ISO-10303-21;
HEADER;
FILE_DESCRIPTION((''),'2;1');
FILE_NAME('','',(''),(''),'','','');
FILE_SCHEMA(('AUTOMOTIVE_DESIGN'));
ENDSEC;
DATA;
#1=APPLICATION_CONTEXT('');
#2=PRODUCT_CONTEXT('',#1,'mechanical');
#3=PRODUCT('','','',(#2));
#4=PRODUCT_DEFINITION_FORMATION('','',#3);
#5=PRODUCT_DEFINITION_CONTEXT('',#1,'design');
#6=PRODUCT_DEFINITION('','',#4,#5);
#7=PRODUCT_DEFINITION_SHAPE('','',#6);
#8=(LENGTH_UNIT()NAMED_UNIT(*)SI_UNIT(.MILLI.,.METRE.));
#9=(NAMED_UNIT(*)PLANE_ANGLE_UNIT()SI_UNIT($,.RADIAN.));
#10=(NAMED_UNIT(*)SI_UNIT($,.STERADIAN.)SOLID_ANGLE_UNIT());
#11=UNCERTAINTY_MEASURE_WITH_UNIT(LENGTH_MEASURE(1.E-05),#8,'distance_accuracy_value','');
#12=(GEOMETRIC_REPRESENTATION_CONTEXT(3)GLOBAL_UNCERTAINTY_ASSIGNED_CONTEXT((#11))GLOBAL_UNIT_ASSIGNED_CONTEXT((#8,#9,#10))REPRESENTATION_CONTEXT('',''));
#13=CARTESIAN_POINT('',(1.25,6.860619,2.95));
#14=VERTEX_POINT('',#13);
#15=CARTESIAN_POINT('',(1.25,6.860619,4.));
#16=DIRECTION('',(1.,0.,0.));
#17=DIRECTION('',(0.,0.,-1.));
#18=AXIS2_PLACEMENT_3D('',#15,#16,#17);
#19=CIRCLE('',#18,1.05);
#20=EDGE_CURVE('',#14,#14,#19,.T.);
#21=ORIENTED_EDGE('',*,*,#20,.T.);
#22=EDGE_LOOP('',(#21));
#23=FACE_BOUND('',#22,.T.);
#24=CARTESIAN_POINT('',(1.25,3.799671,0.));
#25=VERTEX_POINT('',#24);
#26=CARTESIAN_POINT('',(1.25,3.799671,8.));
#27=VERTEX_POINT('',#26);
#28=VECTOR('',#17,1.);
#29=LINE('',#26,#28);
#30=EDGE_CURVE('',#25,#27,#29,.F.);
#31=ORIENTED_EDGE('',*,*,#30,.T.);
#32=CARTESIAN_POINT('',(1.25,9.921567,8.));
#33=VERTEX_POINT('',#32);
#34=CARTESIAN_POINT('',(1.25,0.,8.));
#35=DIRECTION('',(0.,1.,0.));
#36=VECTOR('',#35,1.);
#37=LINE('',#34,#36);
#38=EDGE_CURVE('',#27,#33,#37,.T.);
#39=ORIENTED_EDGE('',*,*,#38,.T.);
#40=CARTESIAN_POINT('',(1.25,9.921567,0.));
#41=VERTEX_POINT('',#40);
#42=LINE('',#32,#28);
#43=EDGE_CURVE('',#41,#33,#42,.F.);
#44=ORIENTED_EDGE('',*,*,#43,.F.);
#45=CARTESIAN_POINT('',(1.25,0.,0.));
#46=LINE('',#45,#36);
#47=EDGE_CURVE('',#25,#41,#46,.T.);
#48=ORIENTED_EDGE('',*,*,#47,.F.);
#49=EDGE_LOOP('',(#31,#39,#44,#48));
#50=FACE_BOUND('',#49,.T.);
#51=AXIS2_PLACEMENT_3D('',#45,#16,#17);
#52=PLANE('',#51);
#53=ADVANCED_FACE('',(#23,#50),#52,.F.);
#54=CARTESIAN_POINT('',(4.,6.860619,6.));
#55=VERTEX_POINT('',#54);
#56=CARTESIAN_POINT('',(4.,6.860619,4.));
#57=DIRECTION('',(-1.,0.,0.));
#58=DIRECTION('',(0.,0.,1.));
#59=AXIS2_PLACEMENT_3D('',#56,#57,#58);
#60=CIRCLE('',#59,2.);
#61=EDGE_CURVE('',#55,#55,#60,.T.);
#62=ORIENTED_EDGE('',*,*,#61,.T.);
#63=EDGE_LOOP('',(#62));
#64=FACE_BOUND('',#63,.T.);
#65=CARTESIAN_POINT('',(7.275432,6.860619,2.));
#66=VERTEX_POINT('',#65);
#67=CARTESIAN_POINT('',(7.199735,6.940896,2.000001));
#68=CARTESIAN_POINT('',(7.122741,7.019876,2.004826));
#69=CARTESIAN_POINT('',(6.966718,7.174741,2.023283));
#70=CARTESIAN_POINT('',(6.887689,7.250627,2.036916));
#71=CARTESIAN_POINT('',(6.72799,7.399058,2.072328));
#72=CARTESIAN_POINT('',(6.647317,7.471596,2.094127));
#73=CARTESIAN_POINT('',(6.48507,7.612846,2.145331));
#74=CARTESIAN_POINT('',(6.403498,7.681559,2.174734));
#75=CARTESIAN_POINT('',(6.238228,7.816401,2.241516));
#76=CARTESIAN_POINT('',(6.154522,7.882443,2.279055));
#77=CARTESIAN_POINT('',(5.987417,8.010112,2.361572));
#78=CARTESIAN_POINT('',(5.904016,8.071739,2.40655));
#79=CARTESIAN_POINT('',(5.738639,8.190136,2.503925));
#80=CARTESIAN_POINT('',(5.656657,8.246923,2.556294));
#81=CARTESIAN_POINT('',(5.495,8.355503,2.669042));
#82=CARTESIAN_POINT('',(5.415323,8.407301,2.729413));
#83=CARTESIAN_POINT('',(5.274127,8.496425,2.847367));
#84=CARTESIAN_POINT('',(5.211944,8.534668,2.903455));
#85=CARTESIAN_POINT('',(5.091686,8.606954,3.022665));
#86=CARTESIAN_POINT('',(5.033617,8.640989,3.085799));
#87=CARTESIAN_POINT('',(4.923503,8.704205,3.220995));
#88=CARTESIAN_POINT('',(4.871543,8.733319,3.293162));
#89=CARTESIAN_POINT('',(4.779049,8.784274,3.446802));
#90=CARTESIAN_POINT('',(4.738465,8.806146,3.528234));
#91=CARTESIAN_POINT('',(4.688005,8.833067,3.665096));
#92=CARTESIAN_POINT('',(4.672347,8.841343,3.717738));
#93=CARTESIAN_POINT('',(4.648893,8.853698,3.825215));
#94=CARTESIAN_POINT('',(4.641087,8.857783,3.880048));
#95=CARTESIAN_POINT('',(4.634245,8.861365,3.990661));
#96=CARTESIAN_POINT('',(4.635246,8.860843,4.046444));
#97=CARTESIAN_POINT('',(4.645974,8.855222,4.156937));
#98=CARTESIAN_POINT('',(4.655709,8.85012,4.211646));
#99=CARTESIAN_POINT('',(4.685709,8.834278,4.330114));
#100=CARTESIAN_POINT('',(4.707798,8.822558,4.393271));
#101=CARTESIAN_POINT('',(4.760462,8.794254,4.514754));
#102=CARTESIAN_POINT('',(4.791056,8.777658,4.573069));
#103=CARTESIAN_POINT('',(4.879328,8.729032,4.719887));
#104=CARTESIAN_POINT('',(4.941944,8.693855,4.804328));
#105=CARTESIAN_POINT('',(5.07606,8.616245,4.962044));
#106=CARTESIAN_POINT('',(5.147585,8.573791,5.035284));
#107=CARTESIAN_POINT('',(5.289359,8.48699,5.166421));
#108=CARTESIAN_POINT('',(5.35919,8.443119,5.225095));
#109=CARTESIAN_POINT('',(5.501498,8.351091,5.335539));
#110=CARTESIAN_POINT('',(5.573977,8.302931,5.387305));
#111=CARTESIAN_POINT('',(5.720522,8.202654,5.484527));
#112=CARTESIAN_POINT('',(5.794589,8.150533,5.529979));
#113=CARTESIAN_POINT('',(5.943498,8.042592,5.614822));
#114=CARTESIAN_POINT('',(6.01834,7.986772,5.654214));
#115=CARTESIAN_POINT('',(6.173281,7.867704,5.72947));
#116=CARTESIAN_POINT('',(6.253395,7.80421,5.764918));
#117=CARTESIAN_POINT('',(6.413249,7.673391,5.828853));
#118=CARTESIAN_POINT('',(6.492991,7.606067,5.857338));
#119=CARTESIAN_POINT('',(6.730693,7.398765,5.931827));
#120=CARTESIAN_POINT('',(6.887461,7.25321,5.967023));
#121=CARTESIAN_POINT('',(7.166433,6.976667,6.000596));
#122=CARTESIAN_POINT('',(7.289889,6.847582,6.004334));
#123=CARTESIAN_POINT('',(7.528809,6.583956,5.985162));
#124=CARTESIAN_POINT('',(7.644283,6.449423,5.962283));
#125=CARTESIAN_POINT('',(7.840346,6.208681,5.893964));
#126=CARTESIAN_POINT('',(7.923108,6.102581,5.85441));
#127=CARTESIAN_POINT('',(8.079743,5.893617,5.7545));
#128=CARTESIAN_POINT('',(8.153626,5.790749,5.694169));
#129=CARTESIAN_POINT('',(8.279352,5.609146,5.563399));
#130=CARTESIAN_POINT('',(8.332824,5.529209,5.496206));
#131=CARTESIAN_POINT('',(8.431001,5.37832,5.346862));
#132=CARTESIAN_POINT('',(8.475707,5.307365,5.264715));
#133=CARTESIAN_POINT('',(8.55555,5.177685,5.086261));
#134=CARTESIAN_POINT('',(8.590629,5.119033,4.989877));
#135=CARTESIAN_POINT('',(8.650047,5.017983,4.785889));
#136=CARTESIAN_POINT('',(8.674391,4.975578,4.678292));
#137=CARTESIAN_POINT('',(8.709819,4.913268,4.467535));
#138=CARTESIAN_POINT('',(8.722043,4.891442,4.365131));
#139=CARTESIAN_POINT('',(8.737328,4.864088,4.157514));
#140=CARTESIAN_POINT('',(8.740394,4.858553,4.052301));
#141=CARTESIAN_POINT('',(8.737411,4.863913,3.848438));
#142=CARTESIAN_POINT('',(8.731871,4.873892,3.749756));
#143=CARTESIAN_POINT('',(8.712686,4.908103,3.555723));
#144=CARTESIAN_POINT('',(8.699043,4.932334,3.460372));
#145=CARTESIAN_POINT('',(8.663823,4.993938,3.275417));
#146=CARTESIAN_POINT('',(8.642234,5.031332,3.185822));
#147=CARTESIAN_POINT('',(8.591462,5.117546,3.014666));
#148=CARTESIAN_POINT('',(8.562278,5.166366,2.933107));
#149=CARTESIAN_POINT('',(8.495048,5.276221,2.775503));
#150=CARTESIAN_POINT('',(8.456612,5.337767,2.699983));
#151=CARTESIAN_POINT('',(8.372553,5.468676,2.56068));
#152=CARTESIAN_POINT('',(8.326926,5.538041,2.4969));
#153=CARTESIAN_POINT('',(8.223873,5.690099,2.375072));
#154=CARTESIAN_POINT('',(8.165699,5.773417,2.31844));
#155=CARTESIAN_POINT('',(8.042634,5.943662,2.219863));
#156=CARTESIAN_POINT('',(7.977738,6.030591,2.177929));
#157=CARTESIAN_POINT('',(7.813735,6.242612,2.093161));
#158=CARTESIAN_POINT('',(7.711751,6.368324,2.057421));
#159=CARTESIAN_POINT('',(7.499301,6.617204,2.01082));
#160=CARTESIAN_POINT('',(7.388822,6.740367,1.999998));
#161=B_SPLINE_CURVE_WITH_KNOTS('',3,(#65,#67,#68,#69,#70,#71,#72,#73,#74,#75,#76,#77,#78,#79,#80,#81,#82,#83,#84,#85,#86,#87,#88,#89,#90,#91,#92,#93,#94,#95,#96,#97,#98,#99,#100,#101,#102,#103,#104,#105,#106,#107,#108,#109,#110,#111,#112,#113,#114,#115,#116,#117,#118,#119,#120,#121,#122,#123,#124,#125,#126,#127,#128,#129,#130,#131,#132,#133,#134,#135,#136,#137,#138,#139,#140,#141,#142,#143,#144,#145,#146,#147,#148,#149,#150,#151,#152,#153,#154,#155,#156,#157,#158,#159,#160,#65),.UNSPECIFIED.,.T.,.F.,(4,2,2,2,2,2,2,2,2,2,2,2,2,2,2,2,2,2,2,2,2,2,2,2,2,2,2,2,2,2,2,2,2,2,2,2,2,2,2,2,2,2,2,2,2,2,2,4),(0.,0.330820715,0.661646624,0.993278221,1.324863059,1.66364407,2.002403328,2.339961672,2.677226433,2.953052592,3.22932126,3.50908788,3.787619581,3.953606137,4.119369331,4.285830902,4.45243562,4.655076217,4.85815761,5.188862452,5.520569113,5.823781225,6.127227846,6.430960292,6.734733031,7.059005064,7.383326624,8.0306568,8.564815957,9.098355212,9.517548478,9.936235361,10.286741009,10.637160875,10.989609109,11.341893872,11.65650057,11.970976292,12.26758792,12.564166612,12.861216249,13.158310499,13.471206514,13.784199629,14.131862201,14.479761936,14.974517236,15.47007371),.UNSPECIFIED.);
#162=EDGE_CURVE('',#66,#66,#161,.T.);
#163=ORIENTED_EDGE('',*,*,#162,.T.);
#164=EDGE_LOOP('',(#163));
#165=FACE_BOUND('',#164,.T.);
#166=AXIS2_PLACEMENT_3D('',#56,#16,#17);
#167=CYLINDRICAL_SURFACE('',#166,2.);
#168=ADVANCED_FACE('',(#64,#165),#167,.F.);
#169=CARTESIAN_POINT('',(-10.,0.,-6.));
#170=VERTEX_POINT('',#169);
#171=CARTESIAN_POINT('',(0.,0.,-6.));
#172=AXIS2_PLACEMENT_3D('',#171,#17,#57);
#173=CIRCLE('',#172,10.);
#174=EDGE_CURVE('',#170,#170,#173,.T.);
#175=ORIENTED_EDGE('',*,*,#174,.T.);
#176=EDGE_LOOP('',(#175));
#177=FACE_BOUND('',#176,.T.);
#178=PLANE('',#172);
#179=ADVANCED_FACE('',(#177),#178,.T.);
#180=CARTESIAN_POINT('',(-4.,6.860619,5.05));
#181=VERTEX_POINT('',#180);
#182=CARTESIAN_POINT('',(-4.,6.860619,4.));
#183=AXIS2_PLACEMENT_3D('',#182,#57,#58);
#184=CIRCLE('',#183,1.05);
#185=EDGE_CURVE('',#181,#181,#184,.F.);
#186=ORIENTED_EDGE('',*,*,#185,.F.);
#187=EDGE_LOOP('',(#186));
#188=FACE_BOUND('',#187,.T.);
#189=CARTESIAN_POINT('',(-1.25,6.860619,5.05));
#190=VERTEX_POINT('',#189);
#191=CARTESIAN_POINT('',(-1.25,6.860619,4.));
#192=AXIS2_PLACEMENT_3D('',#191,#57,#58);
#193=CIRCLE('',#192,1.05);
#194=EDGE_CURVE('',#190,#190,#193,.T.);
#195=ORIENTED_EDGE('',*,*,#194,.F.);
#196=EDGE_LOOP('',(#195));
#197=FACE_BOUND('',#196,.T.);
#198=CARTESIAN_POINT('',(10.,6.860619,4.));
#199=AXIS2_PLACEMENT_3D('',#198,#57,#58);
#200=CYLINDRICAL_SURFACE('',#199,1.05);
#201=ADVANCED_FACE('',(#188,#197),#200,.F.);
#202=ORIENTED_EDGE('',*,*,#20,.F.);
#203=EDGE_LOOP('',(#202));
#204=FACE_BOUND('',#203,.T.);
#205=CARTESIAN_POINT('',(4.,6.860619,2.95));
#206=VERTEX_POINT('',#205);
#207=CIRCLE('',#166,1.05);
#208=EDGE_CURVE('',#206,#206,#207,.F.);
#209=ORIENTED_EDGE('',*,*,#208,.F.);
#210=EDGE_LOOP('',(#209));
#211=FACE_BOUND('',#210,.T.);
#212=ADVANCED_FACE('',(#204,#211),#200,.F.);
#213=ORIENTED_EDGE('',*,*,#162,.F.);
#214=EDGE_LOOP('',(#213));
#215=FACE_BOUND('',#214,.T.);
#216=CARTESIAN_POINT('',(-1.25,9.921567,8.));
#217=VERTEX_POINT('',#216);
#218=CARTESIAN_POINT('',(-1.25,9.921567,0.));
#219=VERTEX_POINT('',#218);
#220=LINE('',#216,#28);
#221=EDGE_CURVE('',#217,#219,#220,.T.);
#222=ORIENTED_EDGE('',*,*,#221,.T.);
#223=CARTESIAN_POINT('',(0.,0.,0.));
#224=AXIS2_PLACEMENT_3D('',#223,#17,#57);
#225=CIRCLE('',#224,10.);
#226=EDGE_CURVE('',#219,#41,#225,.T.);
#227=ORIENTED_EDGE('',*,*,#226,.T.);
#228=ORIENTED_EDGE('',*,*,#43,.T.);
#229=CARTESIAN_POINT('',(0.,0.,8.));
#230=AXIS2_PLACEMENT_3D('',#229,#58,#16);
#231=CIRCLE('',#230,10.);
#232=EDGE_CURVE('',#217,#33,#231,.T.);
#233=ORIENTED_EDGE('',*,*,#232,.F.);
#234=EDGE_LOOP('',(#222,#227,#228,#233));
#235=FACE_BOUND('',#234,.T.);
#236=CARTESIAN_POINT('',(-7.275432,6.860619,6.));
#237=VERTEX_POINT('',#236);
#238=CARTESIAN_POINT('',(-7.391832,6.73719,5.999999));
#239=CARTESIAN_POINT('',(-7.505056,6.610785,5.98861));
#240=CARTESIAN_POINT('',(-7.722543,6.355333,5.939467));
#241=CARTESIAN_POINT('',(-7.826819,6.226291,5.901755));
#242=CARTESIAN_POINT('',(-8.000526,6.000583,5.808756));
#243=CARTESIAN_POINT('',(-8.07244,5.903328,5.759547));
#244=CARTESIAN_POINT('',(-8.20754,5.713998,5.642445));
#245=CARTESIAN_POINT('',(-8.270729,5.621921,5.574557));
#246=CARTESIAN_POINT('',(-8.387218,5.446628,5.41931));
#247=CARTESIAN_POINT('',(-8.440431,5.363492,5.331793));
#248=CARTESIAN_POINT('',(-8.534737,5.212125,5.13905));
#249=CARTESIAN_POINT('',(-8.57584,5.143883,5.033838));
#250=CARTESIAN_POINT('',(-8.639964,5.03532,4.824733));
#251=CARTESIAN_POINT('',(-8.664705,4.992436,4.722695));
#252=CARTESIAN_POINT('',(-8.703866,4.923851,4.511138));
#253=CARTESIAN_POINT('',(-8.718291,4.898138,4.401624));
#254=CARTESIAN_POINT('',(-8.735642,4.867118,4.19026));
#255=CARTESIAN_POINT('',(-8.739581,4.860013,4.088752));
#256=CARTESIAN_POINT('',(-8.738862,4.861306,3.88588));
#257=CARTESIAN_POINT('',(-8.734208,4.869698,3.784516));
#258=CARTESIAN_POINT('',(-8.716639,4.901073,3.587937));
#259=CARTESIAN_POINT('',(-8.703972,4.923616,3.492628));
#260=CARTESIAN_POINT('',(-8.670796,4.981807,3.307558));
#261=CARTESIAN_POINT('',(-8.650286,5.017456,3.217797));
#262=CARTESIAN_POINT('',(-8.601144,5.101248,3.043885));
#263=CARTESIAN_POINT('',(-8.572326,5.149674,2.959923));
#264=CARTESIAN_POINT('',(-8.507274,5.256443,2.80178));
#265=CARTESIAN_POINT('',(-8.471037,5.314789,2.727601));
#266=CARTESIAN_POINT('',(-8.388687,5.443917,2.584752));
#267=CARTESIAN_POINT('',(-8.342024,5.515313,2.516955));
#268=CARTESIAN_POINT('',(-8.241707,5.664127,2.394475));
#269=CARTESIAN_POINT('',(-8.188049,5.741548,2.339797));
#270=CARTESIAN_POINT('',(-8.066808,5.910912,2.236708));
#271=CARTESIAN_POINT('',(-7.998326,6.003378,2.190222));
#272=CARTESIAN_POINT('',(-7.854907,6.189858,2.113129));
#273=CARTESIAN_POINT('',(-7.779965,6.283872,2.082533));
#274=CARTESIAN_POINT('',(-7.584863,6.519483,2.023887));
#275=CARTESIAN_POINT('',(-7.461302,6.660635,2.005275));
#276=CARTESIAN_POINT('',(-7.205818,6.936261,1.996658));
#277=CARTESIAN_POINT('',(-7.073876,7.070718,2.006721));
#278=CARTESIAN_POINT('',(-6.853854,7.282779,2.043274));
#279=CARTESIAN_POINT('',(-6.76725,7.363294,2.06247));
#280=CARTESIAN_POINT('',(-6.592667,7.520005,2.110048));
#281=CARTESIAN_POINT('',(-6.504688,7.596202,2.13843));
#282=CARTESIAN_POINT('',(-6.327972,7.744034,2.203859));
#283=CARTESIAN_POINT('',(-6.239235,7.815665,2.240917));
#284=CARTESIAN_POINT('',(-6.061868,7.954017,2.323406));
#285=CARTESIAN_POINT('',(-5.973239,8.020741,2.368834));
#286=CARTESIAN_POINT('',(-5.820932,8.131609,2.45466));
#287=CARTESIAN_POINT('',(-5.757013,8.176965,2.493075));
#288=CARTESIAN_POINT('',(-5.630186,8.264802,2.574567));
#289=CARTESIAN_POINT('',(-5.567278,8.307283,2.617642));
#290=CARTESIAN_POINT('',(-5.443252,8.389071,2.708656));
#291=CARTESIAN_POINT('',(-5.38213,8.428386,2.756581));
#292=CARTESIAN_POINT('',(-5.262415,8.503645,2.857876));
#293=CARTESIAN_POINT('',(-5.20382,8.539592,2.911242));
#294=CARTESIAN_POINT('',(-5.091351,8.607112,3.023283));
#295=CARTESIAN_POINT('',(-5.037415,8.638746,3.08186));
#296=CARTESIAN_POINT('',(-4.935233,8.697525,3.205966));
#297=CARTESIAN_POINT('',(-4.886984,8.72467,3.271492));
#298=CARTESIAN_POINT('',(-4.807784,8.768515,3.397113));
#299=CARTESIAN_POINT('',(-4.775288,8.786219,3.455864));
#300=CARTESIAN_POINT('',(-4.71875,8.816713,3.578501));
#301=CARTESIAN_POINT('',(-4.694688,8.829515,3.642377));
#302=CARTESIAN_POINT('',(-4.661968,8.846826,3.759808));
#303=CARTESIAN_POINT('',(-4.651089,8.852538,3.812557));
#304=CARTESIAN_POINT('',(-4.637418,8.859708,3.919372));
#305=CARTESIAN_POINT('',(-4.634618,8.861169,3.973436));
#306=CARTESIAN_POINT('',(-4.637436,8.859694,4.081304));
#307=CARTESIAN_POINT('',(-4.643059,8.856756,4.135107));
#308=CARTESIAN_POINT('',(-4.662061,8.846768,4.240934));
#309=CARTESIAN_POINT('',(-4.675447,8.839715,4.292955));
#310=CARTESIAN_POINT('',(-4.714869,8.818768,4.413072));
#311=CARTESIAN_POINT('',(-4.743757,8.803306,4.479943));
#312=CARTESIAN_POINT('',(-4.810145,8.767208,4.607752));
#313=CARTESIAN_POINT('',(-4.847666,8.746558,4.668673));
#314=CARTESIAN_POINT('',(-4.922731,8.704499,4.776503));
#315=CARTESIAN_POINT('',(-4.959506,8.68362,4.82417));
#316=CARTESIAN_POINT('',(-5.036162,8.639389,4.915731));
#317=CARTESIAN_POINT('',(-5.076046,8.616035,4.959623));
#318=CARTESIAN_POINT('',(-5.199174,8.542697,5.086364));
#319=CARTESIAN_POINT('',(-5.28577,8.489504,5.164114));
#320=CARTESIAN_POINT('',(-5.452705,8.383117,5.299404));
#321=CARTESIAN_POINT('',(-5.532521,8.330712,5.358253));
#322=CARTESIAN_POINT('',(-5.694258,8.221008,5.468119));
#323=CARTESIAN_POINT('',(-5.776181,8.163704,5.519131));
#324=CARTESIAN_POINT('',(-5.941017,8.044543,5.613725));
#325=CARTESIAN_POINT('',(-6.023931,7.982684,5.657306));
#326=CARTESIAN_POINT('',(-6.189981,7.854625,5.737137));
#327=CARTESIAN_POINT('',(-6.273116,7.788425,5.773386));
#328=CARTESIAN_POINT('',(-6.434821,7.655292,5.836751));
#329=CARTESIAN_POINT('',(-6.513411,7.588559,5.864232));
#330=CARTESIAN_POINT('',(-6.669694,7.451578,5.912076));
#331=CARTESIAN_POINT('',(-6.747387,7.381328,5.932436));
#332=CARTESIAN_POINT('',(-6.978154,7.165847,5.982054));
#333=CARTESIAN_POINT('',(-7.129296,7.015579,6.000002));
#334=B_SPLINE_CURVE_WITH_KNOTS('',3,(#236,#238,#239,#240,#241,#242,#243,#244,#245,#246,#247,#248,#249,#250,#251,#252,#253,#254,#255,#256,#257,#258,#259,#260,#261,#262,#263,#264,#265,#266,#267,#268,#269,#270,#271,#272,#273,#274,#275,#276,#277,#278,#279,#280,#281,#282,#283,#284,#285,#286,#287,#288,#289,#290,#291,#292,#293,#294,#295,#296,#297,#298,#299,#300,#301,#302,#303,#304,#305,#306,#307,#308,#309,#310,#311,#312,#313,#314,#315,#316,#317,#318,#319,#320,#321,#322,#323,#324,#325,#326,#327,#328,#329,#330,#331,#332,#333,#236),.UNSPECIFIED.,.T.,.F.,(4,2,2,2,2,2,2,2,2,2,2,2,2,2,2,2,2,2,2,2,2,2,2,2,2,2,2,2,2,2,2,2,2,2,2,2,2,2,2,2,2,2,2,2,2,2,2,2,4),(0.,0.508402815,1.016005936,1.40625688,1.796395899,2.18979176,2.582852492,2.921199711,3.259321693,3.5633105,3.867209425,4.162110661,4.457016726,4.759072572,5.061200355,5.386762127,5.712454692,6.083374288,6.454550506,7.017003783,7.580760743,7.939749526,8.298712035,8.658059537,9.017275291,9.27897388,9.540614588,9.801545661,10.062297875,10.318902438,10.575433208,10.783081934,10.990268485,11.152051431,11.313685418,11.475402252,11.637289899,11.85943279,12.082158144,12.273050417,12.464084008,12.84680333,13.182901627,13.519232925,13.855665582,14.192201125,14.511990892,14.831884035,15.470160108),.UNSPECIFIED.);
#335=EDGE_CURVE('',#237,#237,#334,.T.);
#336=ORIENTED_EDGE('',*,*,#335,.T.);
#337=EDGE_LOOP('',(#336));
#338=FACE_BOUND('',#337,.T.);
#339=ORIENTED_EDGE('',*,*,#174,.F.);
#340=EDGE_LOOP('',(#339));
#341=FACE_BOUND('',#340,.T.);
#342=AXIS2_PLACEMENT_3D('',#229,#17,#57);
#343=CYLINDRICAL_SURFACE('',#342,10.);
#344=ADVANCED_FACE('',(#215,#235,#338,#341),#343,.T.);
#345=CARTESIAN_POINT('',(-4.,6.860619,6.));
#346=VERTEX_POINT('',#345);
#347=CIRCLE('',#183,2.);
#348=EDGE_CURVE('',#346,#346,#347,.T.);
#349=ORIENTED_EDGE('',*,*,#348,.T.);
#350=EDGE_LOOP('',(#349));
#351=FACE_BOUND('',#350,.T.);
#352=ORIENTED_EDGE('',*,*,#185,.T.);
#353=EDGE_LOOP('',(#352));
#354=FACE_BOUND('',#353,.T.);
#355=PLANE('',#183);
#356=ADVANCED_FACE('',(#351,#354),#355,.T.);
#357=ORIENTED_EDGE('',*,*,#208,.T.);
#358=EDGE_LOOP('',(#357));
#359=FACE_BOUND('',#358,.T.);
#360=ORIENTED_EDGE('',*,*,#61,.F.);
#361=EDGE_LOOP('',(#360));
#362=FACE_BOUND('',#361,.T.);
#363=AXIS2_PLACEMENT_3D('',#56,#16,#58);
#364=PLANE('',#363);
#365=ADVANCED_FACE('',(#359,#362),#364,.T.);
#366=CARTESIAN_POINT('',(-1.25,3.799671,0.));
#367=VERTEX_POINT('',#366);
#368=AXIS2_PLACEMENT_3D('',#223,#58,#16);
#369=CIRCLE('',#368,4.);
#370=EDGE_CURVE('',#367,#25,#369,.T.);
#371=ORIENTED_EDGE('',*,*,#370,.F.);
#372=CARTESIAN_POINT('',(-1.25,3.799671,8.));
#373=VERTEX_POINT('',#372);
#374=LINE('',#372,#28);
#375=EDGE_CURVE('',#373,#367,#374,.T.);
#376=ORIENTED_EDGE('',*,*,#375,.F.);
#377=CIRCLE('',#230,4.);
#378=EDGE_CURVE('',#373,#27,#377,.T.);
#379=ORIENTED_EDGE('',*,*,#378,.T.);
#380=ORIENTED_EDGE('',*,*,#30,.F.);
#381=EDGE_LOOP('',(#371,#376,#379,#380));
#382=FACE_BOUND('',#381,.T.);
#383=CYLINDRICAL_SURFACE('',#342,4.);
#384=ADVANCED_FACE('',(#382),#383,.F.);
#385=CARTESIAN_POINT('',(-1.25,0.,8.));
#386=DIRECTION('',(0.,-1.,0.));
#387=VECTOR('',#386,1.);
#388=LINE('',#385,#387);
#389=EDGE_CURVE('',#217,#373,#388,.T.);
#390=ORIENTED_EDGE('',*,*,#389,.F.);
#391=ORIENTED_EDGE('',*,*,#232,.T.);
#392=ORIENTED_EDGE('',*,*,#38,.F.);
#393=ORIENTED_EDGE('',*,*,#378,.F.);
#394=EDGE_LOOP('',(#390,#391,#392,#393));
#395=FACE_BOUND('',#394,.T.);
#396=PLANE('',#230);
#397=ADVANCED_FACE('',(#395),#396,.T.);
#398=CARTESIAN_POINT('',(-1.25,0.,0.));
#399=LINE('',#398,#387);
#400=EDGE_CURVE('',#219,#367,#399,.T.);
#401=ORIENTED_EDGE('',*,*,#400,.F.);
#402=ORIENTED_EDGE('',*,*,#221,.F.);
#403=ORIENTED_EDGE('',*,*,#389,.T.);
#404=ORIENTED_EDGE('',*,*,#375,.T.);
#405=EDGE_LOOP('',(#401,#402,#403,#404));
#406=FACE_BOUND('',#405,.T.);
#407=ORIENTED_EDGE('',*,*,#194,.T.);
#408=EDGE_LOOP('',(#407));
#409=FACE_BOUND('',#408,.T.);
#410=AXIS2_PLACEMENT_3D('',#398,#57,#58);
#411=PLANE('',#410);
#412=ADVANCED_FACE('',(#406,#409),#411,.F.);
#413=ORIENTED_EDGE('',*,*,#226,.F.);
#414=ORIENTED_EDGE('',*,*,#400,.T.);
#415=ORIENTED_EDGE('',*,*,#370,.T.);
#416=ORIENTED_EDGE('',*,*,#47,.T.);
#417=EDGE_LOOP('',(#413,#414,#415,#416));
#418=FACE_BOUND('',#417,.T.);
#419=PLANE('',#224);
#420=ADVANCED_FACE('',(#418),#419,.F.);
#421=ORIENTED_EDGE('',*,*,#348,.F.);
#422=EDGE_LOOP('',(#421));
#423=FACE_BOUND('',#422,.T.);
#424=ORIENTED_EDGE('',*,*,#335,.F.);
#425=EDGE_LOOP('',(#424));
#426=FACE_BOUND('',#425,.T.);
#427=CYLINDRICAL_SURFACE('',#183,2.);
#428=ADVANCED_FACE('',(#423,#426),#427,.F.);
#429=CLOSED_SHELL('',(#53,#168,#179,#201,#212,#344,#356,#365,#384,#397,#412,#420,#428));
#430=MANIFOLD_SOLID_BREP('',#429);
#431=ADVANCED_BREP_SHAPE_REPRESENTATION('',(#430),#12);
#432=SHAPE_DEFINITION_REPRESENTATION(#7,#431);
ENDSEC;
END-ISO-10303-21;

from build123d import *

# Parameters (mm, degrees)
SKETCH1_R           = 10
SKETCH1_R_2         = 4
BOSS_EXTRUDE1_DEPTH = 8
SKETCH2_W           = 2.5
SKETCH2_H           = 11.075471698
CUT_EXTRUDE1_DEPTH  = 17.248076809
SKETCH3_R           = 1.05
CUT_EXTRUDE2_DEPTH  = 24.748684174
SKETCH4_R           = 2
CUT_EXTRUDE3_DEPTH  = 6
BOSS_EXTRUDE3_START = 6
SKETCH6_R           = 10
BOSS_EXTRUDE3_DEPTH = 6


with BuildPart() as part:
    # Sketch1 → Boss-Extrude1 (new body)
    with BuildSketch(Plane.XY):
        Circle(SKETCH1_R)
        Circle(SKETCH1_R_2, mode=Mode.SUBTRACT)
    extrude(amount=BOSS_EXTRUDE1_DEPTH)

    # Sketch2 → Cut-Extrude1 (cut, through all)
    with BuildSketch(Plane.XY.offset(8)):
        with Locations((0, 5.537735849)):
            Rectangle(SKETCH2_W, SKETCH2_H)
    extrude(amount=-CUT_EXTRUDE1_DEPTH, mode=Mode.SUBTRACT)

    # Sketch3 → Cut-Extrude2 (cut, through all)
    with BuildSketch(Plane.ZY.offset(10)):
        with Locations((4, 6.860619227)):
            Circle(SKETCH3_R)
    extrude(amount=-CUT_EXTRUDE2_DEPTH, mode=Mode.SUBTRACT)

    # Sketch4 → Cut-Extrude3 (cut)
    with BuildSketch(Plane.ZY.offset(10)):
        with Locations((4, 6.860619227)):
            Circle(SKETCH4_R)
    cut_extrude3 = extrude(amount=-CUT_EXTRUDE3_DEPTH, mode=Mode.SUBTRACT)

    # Mirror1: Cut-Extrude3 across plane
    add(cut_extrude3.mirror(Plane.ZY), mode=Mode.SUBTRACT)

    # Sketch6 → Boss-Extrude3 (add)
    with BuildSketch(Plane(origin=(0, 0, 0), x_dir=(-1, 0, 0), z_dir=(0, 0, -1)).offset(BOSS_EXTRUDE3_START)):
        Circle(SKETCH6_R)
    extrude(amount=-BOSS_EXTRUDE3_DEPTH)


solid = part.part
